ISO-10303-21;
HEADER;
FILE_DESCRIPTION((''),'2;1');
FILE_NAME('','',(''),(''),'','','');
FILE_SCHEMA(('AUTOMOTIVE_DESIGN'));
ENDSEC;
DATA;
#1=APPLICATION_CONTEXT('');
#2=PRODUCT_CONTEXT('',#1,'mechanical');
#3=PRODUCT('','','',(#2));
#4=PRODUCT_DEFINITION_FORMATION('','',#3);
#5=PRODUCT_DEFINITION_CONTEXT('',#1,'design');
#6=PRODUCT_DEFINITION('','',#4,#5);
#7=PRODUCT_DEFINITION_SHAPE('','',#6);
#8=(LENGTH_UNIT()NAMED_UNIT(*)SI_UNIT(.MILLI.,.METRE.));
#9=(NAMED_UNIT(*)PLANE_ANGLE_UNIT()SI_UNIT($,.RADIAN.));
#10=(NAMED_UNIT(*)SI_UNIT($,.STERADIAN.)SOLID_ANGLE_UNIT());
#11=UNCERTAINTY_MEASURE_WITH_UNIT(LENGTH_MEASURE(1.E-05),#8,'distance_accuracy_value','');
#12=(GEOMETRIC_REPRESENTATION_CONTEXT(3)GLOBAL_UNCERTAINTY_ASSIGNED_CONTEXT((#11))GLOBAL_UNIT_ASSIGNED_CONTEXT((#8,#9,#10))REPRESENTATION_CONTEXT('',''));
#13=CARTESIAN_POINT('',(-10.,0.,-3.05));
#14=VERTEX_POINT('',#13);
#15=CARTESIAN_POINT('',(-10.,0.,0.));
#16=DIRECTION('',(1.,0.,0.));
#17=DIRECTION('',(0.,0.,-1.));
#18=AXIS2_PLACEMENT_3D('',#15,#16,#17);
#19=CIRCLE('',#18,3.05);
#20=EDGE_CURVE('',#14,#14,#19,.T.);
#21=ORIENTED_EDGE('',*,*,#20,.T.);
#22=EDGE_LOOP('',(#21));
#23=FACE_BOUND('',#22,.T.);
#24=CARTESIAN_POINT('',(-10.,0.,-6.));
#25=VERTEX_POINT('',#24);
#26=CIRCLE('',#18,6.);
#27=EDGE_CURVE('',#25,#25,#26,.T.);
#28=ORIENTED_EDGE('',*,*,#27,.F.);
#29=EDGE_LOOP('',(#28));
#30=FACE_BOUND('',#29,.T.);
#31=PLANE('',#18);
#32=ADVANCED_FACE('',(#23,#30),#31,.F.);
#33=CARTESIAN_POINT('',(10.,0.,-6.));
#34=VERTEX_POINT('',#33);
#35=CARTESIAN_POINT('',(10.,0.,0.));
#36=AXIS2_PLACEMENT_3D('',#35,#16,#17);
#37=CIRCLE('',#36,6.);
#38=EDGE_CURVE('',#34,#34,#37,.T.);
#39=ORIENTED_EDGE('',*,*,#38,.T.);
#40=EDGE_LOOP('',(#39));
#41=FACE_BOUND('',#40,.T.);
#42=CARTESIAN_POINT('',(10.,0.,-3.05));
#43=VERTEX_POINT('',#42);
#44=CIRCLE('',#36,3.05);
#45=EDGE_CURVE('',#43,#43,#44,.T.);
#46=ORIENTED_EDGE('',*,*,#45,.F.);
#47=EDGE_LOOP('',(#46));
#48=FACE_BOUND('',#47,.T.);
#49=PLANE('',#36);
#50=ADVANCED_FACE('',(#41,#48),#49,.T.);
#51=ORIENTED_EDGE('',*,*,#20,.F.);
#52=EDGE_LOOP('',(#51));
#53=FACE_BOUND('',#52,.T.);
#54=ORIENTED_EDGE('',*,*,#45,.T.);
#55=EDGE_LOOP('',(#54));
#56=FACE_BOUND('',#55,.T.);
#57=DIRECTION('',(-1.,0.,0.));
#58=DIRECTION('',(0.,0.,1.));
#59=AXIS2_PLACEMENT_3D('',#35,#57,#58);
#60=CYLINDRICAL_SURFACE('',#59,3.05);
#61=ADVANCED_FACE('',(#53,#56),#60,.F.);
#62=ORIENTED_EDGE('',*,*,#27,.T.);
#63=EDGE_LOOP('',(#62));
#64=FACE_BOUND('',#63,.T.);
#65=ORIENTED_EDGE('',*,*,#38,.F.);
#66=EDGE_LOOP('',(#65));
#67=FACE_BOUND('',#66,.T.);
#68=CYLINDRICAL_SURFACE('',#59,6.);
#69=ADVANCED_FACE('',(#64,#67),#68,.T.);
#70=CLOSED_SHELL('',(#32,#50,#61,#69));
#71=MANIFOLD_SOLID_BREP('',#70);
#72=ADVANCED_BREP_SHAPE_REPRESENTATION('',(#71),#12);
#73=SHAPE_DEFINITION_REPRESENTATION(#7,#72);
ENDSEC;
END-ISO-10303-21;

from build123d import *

# Parameters (mm, degrees)
ESQUISSE1_R      = 6
ESQUISSE1_R_2    = 3.05
EXTRUSION1_DEPTH = 10


with BuildPart() as part:
    # Esquisse1 → Extrusion1 (new body, symmetric)
    with BuildSketch(Plane(origin=(0, 0, 0), x_dir=(0, 0, -1), z_dir=(1, 0, 0))):
        Circle(ESQUISSE1_R)
        Circle(ESQUISSE1_R_2, mode=Mode.SUBTRACT)
    extrude(amount=EXTRUSION1_DEPTH, both=True)


solid = part.part
